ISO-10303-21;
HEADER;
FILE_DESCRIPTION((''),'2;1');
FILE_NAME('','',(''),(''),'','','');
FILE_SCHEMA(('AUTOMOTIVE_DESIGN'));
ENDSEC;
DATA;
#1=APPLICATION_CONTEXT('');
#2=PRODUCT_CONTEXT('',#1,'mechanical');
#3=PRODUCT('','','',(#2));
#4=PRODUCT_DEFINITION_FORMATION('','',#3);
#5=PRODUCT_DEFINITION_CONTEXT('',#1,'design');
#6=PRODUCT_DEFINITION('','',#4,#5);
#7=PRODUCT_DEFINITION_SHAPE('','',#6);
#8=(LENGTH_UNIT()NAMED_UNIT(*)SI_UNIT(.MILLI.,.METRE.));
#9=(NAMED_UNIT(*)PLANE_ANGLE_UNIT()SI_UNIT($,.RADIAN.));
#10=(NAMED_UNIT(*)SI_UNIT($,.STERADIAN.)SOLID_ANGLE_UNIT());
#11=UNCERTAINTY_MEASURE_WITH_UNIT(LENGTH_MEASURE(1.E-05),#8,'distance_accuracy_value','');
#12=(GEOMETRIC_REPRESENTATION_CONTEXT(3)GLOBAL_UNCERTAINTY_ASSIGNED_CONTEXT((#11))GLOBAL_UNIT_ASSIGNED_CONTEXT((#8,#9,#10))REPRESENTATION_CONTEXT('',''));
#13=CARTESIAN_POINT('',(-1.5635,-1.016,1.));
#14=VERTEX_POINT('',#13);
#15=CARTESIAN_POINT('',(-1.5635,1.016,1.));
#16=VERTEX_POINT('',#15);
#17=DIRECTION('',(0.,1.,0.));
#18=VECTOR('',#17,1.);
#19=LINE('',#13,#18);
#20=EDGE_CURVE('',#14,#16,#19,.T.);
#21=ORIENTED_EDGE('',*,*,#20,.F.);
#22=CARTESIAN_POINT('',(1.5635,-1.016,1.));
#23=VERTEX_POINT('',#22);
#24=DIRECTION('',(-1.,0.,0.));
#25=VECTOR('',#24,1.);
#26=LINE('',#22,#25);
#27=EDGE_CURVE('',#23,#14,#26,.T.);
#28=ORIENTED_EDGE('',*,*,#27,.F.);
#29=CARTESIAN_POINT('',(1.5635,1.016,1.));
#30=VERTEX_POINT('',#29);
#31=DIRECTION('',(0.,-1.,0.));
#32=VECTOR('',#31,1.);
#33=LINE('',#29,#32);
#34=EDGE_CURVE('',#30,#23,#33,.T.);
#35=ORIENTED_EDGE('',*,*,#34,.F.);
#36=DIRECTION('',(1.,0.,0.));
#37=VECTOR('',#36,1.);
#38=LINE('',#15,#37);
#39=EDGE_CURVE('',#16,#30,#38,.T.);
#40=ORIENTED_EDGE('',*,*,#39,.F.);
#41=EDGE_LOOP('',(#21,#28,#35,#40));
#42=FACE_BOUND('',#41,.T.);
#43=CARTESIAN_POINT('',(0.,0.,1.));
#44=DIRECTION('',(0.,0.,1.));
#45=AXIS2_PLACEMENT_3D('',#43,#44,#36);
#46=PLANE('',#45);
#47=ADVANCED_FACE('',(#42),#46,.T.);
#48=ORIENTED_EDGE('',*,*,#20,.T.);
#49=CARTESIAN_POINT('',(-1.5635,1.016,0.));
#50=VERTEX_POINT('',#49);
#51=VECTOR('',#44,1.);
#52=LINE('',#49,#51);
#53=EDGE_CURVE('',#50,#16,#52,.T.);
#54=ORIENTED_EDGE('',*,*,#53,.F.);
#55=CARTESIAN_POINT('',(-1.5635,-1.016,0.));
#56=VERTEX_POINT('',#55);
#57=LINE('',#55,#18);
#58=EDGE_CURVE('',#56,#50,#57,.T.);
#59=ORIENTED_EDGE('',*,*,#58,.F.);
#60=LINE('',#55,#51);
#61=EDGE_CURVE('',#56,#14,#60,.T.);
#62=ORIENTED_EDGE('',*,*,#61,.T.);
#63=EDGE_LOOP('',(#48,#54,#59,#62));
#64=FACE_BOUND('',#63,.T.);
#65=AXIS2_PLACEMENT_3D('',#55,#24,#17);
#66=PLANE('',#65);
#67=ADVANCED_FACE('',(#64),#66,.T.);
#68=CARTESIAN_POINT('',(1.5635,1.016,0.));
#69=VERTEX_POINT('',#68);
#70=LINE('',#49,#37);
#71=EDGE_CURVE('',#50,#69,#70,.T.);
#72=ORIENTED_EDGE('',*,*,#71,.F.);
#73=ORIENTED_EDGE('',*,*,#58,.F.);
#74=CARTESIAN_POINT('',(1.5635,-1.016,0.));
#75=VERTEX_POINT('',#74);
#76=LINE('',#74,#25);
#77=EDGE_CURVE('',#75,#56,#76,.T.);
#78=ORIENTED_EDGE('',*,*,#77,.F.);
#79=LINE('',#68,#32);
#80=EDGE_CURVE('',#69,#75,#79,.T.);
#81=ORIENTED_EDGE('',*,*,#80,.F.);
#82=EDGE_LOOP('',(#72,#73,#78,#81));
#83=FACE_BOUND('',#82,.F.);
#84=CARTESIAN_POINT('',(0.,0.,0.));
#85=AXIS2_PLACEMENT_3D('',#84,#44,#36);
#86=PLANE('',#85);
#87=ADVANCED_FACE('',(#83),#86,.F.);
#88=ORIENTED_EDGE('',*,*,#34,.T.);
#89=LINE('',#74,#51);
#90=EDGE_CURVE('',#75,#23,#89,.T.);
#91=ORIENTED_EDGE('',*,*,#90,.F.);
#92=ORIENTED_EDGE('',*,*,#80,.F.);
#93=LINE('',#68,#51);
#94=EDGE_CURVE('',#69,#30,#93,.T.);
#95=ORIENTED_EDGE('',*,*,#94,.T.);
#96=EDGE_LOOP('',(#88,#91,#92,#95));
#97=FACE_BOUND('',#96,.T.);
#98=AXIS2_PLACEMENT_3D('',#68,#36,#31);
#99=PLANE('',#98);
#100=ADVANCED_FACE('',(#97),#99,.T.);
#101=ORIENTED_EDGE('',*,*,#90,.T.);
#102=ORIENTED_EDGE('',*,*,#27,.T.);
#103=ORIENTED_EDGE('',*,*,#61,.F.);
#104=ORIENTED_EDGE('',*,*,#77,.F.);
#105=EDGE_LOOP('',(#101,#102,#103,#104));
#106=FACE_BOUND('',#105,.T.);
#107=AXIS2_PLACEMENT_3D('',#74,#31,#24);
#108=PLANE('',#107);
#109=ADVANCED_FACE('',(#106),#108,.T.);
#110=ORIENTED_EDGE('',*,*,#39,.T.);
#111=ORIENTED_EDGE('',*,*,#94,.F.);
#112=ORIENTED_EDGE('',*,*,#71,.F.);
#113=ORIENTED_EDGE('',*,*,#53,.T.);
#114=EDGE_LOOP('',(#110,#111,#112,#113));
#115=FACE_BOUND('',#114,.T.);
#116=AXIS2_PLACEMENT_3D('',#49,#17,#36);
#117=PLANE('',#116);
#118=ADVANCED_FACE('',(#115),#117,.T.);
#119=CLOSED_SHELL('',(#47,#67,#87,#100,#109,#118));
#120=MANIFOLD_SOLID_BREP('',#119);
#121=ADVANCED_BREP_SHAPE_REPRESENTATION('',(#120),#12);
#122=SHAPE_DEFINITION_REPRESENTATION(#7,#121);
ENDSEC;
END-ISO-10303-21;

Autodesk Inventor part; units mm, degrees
ref_plane "YZ Plane" through (0, 0, 0) normal (1, 0, 0) x (0, 1, 0)
ref_plane "XZ Plane" through (0, 0, 0) normal (0, 1, 0) x (-1, 0, 0)
ref_plane "XY Plane" through (0, 0, 0) normal (0, 0, 1) x (1, 0, 0)
sketch "PTC-1206, 500MA-PTC_13" plane through (0, 0, 0) normal (0, 0, 1) x (1, 0, 0)
  line L0 (-1.5635, 1.016) -> (1.5635, 1.016)
  line L1 (1.5635, 1.016) -> (1.5635, -1.016)
  line L2 (1.5635, -1.016) -> (-1.5635, -1.016)
  line L3 (-1.5635, -1.016) -> (-1.5635, 1.016)
extrude "Extrusion1" add sketch "PTC-1206, 500MA-PTC_13" along normal blind 1
properties part number "500MA-PTC"
